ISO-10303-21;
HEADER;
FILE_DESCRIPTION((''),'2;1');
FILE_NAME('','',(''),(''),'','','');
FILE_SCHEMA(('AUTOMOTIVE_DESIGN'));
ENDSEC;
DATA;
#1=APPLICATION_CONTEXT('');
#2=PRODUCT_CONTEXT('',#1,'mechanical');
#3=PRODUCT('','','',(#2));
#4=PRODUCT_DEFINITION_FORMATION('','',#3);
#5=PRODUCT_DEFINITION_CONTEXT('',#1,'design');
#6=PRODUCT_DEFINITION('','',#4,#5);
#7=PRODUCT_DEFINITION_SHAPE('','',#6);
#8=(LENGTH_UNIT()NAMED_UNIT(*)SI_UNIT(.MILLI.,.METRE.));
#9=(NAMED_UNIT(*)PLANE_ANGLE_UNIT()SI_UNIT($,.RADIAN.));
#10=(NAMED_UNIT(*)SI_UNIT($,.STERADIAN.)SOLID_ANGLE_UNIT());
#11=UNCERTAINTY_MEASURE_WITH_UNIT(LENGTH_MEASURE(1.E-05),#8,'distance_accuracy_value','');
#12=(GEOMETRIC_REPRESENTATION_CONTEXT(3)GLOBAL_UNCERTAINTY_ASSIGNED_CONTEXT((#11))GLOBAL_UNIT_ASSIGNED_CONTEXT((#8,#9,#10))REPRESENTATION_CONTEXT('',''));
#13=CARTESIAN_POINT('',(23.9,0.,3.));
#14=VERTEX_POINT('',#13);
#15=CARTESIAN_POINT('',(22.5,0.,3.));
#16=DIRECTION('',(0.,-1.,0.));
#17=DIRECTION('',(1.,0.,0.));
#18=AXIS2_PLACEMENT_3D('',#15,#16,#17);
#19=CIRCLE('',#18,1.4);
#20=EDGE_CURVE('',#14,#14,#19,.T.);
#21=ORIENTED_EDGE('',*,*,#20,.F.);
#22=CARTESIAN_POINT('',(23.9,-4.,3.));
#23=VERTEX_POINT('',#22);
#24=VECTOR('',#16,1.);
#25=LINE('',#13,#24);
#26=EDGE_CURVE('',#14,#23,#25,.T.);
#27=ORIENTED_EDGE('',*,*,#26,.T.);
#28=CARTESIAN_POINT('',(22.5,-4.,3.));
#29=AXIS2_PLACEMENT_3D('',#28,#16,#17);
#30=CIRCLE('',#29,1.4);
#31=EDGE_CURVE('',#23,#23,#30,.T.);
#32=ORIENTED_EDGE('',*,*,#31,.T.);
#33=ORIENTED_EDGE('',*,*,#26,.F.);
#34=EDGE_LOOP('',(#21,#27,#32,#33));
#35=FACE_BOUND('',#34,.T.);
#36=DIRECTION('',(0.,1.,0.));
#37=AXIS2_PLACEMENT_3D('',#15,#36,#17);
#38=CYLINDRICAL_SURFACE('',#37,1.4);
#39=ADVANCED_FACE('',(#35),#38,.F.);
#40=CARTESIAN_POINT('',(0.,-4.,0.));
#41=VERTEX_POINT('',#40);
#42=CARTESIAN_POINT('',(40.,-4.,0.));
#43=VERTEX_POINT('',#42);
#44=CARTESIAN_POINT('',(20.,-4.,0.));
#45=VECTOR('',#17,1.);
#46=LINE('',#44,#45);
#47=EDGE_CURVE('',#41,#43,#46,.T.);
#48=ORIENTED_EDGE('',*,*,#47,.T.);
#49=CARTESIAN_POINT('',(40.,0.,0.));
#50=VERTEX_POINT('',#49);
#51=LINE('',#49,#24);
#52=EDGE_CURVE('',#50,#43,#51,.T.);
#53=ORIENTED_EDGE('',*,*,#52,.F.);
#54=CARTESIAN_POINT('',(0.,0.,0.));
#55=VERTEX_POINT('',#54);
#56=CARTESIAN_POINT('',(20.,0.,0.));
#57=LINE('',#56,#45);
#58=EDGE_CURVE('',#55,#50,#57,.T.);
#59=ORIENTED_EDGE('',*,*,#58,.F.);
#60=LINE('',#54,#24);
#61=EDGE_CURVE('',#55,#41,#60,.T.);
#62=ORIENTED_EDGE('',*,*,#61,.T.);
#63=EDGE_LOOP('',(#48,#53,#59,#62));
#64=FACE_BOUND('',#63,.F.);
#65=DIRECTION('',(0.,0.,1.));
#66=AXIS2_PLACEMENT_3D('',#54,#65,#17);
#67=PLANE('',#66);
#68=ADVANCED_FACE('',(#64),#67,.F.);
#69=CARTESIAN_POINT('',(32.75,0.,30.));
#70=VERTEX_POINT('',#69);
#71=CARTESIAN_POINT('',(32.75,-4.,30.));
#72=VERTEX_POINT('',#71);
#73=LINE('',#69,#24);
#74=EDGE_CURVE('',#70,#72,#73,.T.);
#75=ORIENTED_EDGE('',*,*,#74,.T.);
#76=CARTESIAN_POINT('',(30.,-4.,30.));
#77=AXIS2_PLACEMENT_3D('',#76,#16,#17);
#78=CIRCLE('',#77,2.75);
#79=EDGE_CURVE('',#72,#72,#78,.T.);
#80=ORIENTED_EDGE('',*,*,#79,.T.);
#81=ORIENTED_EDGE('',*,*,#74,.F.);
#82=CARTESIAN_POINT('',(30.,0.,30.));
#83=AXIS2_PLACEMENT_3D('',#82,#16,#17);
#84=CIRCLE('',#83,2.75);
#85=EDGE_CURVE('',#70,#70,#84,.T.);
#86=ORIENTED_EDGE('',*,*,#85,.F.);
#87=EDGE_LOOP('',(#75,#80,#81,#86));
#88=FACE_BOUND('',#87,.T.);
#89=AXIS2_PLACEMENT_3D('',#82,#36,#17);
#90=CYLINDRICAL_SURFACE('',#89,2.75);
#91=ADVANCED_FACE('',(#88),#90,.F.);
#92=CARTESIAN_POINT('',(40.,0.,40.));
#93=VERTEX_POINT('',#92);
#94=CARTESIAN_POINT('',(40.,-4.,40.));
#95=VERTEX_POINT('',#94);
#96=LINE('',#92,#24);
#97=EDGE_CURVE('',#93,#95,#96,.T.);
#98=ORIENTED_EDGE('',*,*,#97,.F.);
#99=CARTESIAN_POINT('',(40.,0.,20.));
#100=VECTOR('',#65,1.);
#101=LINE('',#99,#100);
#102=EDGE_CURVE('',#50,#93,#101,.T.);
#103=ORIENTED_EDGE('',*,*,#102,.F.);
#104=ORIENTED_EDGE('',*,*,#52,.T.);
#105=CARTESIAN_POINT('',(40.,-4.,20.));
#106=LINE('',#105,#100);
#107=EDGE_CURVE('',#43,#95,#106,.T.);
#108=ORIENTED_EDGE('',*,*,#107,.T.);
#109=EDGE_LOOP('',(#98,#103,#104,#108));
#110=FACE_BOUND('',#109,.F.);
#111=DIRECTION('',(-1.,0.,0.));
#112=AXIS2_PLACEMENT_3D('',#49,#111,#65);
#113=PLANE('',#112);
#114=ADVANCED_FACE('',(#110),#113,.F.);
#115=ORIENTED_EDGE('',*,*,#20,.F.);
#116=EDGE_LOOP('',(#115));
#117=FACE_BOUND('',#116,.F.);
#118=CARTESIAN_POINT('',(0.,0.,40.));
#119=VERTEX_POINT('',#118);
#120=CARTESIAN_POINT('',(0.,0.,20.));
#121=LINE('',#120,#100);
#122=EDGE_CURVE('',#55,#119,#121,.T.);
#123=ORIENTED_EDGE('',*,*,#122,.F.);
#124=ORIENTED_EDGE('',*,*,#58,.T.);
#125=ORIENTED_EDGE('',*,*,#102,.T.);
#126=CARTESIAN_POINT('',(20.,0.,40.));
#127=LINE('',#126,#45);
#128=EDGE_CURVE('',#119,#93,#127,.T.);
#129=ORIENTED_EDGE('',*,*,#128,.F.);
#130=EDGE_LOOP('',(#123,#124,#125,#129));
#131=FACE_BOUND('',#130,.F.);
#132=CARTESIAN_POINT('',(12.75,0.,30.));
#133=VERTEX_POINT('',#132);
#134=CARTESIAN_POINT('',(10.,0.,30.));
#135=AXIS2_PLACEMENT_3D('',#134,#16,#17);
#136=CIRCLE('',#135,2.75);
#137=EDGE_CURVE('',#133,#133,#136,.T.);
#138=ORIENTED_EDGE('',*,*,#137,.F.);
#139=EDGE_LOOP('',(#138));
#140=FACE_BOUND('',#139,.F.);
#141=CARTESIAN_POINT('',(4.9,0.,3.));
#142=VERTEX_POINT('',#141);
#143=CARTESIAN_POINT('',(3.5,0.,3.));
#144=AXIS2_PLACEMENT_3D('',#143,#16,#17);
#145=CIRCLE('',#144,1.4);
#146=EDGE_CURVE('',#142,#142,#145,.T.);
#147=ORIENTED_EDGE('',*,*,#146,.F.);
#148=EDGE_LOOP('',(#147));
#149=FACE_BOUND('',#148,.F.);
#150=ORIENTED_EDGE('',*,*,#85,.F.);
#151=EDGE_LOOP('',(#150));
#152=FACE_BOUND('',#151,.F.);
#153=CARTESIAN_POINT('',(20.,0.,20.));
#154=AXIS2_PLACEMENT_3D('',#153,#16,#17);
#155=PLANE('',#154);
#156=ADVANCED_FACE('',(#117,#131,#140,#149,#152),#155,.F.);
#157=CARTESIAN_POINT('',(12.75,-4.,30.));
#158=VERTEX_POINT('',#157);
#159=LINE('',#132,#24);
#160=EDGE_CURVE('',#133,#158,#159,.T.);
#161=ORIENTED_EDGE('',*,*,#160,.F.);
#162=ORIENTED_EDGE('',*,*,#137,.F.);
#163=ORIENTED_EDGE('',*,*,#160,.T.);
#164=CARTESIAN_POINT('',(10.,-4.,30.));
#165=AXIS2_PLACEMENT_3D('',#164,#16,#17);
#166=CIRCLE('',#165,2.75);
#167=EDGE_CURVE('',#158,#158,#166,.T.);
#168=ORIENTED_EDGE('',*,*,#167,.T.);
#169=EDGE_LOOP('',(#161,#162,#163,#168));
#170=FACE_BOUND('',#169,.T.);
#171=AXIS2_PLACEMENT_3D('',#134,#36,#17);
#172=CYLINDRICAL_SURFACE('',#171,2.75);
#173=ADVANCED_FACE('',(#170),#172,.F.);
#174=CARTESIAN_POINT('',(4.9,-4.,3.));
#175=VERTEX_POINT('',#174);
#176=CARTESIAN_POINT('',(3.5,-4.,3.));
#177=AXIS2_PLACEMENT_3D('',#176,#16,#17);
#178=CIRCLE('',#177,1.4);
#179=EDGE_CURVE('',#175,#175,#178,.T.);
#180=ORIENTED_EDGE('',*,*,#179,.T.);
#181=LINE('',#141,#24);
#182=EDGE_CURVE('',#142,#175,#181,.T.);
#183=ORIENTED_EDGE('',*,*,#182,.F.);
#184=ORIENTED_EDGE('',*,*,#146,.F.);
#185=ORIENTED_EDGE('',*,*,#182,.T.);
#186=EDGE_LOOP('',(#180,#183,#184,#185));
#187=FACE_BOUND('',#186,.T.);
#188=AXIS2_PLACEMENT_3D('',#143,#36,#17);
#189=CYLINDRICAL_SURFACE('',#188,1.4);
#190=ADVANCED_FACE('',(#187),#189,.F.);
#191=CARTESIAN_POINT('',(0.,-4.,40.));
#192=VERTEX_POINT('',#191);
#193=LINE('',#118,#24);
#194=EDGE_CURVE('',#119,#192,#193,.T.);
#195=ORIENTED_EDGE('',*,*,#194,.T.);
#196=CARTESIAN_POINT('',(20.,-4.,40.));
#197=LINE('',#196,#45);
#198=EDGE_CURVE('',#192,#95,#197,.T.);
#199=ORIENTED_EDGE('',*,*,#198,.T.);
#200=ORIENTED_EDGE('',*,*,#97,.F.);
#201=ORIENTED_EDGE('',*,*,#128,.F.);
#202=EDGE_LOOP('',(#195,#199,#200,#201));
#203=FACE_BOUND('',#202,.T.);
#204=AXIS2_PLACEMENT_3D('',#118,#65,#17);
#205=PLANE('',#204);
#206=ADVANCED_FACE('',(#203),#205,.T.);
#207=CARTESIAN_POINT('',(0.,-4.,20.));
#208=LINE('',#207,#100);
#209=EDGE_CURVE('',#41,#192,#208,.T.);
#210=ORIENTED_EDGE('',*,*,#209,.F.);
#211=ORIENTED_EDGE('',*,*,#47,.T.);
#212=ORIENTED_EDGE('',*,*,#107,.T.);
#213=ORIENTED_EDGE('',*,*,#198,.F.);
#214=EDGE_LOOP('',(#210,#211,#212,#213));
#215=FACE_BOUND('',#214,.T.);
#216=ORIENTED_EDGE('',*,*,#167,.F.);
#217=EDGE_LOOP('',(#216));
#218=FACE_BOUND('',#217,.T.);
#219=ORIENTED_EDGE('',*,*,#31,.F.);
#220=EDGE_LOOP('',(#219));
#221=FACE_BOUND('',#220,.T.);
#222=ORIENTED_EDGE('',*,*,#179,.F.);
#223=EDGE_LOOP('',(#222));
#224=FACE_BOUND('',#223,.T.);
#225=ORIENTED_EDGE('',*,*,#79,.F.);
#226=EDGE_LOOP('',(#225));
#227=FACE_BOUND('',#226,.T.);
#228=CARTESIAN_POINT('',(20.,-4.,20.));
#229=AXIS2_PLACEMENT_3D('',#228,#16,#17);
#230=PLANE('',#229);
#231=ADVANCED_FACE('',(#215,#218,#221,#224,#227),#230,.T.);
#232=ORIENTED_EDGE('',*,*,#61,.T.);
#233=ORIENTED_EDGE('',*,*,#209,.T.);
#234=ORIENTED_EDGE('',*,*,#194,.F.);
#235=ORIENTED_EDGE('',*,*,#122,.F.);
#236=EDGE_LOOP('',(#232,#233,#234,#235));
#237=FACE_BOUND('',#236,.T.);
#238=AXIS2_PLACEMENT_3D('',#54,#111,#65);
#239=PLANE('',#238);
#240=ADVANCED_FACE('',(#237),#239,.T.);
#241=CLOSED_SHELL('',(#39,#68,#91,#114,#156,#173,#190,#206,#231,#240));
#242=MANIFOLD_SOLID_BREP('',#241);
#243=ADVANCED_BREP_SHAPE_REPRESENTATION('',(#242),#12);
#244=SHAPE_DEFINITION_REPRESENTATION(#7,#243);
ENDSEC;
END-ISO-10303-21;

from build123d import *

# Parameters (mm, degrees)
F0_W     = 40
F0_H     = 40
F0_R     = 1.4
F0_R_2   = 2.75
F1_DEPTH = 4


with BuildPart() as f1:
    # F0 (on Front) → F1 (new body)
    with BuildSketch(Plane.XZ):
        with Locations((20, 20)):
            Rectangle(F0_W, F0_H)
        with Locations((3.5, 3)):
            Circle(F0_R, mode=Mode.SUBTRACT)
        with Locations((22.5, 3)):
            Circle(F0_R, mode=Mode.SUBTRACT)
        with Locations((10, 30)):
            Circle(F0_R_2, mode=Mode.SUBTRACT)
        with Locations((30, 30)):
            Circle(F0_R_2, mode=Mode.SUBTRACT)
    extrude(amount=F1_DEPTH)


solid = f1.part
